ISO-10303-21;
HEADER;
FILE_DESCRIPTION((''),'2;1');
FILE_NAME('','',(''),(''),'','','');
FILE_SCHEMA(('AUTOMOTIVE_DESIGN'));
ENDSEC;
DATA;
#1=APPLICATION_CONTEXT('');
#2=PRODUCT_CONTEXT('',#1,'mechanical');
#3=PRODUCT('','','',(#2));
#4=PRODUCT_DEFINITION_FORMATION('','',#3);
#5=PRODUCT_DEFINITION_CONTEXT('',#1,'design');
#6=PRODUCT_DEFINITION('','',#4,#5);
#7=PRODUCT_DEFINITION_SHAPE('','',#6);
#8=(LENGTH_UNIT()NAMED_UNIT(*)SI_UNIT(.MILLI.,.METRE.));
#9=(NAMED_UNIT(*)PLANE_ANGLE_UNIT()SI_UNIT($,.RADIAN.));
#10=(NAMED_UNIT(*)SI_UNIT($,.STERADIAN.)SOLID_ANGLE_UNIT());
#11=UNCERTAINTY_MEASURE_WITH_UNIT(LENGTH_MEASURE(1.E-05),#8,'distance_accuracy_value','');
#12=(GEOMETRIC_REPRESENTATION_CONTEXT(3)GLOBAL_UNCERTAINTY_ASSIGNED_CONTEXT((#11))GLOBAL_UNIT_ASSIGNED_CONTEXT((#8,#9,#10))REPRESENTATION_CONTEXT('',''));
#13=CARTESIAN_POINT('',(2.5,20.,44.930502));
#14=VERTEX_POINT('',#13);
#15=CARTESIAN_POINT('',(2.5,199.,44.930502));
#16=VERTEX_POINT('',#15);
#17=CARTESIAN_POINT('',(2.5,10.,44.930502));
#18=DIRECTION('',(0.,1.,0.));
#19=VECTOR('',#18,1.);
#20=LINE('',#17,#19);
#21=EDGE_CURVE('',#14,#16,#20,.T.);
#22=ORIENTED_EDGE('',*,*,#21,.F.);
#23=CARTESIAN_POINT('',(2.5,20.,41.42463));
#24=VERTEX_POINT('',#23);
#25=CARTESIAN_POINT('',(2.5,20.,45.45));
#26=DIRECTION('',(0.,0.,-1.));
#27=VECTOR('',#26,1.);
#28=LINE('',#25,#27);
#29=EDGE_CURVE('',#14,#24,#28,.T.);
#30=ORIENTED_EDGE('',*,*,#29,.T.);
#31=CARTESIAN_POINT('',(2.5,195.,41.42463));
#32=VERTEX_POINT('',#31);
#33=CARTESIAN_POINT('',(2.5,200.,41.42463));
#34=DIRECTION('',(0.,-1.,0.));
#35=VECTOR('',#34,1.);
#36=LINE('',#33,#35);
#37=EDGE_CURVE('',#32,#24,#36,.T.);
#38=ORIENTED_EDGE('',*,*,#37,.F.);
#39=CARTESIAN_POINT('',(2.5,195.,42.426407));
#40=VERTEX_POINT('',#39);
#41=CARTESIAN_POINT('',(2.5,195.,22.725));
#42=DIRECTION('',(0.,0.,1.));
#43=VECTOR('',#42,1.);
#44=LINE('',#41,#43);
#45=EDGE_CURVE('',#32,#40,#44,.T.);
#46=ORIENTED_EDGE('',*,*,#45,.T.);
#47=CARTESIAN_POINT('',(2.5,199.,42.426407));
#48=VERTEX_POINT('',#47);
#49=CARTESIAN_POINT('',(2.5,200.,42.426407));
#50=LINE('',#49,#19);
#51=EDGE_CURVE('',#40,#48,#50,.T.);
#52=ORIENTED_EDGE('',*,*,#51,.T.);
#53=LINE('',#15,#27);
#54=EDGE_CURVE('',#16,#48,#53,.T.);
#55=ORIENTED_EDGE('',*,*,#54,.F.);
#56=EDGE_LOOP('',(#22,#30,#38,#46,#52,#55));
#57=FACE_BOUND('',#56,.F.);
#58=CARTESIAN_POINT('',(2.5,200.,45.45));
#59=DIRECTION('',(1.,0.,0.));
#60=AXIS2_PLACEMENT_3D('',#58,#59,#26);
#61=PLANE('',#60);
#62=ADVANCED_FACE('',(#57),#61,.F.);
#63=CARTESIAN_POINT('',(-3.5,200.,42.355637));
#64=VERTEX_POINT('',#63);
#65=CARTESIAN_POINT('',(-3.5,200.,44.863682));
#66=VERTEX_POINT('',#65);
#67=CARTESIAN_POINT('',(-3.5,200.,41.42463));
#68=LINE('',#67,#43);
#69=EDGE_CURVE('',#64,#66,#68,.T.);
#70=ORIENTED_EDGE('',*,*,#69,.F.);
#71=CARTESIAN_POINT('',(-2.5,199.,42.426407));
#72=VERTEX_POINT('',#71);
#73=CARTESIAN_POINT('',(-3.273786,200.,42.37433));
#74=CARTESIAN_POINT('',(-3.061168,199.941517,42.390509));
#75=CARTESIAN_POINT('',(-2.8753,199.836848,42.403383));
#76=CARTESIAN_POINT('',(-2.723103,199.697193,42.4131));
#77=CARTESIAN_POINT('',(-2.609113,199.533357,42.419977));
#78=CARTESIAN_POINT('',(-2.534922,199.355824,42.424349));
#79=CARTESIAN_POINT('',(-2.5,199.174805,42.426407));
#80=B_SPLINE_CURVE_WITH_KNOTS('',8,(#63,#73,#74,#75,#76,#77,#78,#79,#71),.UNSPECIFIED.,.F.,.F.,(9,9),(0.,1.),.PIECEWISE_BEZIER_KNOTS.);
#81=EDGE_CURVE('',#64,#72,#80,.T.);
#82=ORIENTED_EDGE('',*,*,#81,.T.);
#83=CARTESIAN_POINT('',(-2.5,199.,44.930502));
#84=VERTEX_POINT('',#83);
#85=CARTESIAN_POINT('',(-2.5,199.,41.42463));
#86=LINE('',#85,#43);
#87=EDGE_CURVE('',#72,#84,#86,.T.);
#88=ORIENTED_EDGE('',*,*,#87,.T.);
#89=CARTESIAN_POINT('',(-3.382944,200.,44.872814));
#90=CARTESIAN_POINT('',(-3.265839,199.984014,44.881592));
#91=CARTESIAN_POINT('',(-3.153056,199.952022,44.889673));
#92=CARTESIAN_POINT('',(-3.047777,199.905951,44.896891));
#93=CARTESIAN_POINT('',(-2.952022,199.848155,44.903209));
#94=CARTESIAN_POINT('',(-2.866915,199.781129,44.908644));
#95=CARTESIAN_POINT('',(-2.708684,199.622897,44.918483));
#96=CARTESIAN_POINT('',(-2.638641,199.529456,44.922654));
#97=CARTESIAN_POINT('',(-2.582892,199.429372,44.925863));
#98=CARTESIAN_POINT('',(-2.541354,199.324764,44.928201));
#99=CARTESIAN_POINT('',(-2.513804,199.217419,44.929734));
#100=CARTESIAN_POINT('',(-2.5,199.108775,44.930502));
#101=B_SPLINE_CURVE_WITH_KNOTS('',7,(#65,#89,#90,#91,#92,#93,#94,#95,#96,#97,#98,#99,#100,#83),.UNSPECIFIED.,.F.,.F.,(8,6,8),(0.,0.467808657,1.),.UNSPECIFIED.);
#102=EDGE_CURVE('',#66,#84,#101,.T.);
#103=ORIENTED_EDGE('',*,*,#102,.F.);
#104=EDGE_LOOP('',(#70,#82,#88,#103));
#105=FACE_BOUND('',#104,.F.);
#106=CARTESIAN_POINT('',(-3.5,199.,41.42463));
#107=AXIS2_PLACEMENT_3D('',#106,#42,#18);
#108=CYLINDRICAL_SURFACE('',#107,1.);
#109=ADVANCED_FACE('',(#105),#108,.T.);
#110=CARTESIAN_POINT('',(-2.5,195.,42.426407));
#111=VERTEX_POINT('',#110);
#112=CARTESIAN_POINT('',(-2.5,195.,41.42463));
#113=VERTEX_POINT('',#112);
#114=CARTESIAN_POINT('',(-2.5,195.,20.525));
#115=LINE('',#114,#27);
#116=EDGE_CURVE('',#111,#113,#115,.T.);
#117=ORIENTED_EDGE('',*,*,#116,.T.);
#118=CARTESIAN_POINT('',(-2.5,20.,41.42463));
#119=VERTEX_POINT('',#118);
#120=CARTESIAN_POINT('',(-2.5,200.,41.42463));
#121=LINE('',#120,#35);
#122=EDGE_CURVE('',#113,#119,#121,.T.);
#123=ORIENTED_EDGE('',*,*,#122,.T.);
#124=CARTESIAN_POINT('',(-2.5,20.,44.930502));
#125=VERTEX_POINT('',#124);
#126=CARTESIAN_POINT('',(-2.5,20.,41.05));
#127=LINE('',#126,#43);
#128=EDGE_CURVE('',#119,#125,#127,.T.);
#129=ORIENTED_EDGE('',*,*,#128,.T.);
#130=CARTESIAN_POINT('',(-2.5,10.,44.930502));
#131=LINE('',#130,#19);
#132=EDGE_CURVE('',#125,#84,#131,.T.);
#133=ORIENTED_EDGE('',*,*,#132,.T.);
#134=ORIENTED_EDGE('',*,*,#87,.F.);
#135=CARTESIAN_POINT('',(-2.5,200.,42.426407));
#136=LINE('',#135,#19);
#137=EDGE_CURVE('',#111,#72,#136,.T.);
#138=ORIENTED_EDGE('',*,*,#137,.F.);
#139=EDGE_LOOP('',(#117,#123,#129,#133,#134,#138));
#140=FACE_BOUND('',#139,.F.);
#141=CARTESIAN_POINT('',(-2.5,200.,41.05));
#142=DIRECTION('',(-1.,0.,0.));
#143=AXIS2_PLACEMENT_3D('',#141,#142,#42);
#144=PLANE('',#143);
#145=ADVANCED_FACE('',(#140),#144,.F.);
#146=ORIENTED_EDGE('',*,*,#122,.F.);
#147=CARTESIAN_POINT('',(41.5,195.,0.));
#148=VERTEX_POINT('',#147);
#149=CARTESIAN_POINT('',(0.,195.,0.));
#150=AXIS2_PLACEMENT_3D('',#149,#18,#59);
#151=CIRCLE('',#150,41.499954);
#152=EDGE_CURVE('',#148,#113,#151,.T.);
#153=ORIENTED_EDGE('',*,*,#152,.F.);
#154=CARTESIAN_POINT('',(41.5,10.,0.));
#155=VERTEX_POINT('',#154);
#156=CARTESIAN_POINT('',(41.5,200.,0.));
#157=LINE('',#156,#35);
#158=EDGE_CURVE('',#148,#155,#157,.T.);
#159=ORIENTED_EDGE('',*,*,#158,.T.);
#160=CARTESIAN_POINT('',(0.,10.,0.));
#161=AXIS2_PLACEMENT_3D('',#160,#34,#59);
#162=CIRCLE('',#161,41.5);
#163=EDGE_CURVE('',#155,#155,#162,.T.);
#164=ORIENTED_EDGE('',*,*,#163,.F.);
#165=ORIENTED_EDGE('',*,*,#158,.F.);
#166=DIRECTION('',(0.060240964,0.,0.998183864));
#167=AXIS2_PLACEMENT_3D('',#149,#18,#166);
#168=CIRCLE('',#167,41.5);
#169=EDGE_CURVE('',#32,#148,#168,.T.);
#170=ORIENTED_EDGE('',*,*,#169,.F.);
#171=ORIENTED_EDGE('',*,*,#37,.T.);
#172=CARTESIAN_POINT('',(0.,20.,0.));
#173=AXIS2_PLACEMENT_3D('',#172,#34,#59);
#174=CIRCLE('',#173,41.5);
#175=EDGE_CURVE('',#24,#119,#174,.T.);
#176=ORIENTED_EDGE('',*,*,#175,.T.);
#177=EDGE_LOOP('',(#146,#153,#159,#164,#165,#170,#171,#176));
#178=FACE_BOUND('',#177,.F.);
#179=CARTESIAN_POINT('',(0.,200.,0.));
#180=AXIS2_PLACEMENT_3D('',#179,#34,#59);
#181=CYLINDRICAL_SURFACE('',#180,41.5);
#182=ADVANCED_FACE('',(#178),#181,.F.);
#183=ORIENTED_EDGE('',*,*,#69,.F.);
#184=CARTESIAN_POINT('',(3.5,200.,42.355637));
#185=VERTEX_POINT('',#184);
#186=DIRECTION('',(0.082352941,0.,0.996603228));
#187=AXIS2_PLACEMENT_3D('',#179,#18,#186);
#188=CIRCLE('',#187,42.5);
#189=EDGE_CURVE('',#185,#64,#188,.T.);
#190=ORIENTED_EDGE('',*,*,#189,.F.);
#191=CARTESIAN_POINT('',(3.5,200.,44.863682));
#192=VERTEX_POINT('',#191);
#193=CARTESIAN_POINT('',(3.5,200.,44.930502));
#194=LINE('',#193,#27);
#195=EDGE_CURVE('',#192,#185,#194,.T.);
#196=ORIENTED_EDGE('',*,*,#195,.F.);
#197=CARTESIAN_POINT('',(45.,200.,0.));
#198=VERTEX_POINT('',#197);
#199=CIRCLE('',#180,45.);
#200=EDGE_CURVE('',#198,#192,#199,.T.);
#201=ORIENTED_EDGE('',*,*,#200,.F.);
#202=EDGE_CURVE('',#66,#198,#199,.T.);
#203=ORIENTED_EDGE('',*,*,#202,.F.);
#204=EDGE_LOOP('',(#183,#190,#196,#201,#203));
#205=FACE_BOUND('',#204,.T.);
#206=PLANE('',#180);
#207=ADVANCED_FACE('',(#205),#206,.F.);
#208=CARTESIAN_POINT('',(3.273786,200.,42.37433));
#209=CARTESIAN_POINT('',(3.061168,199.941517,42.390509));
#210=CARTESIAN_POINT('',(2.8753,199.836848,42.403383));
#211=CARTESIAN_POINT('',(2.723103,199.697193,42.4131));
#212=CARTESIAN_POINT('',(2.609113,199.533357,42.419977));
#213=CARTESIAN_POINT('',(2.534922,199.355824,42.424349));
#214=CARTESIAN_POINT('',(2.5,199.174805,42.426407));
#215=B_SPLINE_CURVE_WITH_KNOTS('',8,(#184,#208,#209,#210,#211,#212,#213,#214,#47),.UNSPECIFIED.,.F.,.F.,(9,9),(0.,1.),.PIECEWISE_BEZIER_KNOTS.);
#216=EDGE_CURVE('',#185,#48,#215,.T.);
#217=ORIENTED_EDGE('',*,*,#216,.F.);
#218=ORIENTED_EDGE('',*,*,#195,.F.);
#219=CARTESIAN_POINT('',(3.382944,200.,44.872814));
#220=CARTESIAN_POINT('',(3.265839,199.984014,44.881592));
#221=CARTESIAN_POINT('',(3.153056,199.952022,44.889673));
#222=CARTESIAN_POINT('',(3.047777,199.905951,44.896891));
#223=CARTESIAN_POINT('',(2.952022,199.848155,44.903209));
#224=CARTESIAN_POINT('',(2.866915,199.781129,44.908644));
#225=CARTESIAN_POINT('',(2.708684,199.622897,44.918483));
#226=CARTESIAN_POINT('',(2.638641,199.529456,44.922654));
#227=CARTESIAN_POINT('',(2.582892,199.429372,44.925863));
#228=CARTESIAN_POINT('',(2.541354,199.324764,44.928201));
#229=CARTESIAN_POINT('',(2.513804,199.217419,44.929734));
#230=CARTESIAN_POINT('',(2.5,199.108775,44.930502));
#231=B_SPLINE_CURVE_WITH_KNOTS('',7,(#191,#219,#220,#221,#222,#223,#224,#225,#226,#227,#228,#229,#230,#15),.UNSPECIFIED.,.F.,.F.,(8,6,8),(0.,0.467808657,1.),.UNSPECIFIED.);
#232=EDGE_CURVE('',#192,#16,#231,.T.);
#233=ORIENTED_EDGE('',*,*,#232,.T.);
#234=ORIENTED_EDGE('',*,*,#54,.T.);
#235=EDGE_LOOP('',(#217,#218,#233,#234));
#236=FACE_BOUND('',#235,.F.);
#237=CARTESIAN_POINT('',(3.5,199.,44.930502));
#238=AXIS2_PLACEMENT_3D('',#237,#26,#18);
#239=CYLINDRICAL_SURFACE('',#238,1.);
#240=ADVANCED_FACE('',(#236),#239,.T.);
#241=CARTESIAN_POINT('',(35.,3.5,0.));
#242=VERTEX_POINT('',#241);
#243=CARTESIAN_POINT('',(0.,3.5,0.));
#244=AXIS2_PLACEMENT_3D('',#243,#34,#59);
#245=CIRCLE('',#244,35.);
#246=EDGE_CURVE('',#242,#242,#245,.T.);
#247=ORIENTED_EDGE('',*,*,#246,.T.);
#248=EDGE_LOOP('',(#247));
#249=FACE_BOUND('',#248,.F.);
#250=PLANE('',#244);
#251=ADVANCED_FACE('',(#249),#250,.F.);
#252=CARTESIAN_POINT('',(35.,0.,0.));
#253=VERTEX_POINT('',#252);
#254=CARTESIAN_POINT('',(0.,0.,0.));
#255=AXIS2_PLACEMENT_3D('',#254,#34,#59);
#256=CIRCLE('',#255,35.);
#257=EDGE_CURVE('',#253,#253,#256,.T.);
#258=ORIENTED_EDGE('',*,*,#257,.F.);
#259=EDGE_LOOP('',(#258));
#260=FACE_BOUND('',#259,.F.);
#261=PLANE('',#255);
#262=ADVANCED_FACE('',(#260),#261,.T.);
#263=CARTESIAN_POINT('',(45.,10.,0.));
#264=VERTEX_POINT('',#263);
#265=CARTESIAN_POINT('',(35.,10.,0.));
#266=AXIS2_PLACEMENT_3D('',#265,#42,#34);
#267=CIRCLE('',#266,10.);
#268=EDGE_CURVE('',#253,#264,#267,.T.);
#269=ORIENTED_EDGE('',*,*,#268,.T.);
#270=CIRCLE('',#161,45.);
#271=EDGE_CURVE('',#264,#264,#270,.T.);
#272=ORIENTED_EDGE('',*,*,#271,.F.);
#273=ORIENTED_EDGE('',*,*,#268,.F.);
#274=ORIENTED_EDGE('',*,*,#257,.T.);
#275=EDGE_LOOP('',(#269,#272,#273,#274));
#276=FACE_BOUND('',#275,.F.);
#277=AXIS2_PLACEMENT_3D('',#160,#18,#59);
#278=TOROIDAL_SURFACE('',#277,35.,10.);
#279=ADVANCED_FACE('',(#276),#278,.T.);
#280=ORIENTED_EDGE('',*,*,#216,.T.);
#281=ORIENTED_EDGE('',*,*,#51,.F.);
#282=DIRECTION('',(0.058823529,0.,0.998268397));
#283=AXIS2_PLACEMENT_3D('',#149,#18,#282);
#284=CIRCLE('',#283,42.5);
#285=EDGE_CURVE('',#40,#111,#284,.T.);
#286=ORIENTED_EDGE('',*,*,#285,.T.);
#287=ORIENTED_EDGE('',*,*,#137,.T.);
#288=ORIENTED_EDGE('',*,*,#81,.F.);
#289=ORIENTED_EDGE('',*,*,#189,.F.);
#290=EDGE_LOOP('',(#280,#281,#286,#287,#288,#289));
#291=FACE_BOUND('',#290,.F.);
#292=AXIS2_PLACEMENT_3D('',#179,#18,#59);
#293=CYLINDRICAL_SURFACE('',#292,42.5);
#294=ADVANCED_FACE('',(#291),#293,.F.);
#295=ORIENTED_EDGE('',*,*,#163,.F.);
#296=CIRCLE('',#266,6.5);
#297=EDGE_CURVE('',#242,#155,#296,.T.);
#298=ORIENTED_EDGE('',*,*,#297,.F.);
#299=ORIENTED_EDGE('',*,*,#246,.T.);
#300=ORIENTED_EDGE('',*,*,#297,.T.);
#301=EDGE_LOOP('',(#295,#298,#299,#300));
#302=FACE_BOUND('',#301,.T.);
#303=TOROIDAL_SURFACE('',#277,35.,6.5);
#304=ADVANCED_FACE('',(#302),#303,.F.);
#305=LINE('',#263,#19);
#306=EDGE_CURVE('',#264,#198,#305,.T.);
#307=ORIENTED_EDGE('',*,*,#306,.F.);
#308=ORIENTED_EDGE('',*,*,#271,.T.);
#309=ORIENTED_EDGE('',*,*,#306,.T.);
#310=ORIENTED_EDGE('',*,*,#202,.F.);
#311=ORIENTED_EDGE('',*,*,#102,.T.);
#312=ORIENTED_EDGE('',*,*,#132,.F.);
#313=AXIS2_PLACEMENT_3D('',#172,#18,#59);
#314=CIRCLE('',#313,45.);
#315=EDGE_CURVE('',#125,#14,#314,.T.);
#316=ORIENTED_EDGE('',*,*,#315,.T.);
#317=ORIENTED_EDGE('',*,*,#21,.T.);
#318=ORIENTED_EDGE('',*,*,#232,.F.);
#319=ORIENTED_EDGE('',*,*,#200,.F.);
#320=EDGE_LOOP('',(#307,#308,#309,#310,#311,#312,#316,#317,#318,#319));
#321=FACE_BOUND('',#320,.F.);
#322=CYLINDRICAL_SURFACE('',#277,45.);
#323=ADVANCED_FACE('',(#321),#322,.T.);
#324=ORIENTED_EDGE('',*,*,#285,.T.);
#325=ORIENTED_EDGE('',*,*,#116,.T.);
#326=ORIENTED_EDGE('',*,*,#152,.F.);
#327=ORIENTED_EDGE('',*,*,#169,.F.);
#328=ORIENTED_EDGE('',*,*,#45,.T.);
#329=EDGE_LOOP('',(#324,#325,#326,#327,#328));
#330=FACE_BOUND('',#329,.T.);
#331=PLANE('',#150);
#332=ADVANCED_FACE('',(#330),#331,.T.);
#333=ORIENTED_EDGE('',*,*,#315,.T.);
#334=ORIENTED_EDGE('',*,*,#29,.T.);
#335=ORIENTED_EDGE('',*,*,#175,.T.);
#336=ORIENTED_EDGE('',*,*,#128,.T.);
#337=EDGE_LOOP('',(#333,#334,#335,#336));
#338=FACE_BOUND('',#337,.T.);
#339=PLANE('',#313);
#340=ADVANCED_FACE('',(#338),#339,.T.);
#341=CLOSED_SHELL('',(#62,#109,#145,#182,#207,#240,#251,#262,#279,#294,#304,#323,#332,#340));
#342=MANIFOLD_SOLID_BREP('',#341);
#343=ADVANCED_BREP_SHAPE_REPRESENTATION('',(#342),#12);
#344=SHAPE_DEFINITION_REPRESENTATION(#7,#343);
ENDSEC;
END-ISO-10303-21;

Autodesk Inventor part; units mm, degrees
ref_plane "YZ Plane" through (0, 0, 0) normal (1, 0, 0) x (0, 1, 0)
ref_plane "XZ Plane" through (0, 0, 0) normal (0, 1, 0) x (-1, 0, 0)
ref_plane "XY Plane" through (0, 0, 0) normal (0, 0, 1) x (1, 0, 0)
sketch "Sketch1" plane through (0, 0, 0) normal (0, 0, 1) x (1, 0, 0)
  line L0 (0, 0) -> (35, 0)
  line L1 (45, 10) -> (45, 200)
  line L2 (0, 200) -> (0, 0)
  arc A0 (35, 0) -> (45, 10) centre (35, 10) ccw
  line L3 (41.5, 200) -> (41.5, 10)
  arc A1 (35, 3.5) -> (41.5, 10) centre (35, 10) ccw
  line L4 (35, 3.5) -> (0, 3.5)
  line L5 (41.5, 200) -> (45, 200)
  line L6 (0, 3.5) -> (0, 0)
  point P0 (45, 0)
  dimension "d0" = 90
  dimension "d1" = 200
  dimension "d2" = 10
  dimension "d5" = 3.5
  dimension "d6" = 3.5
revolve "Revolution1" add sketch "Sketch1" angle 360 about axis through (0, 200, 0) along (0, -1, 0)
sketch "Sketch2" plane through (0, 200, 0) normal (0, 1, 0) x (1, 0, 0)
  circle A0 centre (0, 0) radius 45 construction
  line L0 (0, 45) -> (0, -45) construction
  line L1 (-45, 0) -> (45, 0) construction
  circle A1 centre (0, 0) radius 45 construction
  circle A2 centre (0, 0) radius 41.5 construction
  circle A3 centre (0, 0) radius 41.5 construction
  circle A4 centre (0, 0) radius 45 construction
  line L2 (0, -41.5) -> (0, -45) construction
  line L3 (-2.5, -45.45) -> (2.5, -45.45)
  line L4 (2.5, -45.45) -> (2.5, -41.05)
  line L5 (2.5, -41.05) -> (-2.5, -41.05)
  line L6 (-2.5, -41.05) -> (-2.5, -45.45)
  line L7 (-2.5, -45.45) -> (2.5, -41.05) construction
  line L8 (2.5, -45.45) -> (-2.5, -41.05) construction
  point P0 (0, -43.25)
  dimension "d8" = 5
  dimension "d9" = 4.4
extrude "Extrusion1" cut sketch "Sketch2" against normal blind 180
fillet "Fillet1" radius 1 2 edges at (-2.5, 200, 43.1776) (2.5, 200, 43.1776)
sketch "Sketch3" plane through (0, 200, 0) normal (0, 1, 0) x (1, 0, 0)
  arc A0 (3.5, -41.3521) -> (-3.5, -41.3521) centre (0, 0) ccw projected
  circle A1 centre (0, 0) radius 42.5
  circle A2 centre (0, 0) radius 41.5
  point P0 (3.5, -41.3521)
  point P1 (-3.5, -41.3521)
  dimension "d13" = 85
extrude "Extrusion2" cut sketch "Sketch3" against normal blind 5
properties part number "Exterior" material "ABS Plastic"
